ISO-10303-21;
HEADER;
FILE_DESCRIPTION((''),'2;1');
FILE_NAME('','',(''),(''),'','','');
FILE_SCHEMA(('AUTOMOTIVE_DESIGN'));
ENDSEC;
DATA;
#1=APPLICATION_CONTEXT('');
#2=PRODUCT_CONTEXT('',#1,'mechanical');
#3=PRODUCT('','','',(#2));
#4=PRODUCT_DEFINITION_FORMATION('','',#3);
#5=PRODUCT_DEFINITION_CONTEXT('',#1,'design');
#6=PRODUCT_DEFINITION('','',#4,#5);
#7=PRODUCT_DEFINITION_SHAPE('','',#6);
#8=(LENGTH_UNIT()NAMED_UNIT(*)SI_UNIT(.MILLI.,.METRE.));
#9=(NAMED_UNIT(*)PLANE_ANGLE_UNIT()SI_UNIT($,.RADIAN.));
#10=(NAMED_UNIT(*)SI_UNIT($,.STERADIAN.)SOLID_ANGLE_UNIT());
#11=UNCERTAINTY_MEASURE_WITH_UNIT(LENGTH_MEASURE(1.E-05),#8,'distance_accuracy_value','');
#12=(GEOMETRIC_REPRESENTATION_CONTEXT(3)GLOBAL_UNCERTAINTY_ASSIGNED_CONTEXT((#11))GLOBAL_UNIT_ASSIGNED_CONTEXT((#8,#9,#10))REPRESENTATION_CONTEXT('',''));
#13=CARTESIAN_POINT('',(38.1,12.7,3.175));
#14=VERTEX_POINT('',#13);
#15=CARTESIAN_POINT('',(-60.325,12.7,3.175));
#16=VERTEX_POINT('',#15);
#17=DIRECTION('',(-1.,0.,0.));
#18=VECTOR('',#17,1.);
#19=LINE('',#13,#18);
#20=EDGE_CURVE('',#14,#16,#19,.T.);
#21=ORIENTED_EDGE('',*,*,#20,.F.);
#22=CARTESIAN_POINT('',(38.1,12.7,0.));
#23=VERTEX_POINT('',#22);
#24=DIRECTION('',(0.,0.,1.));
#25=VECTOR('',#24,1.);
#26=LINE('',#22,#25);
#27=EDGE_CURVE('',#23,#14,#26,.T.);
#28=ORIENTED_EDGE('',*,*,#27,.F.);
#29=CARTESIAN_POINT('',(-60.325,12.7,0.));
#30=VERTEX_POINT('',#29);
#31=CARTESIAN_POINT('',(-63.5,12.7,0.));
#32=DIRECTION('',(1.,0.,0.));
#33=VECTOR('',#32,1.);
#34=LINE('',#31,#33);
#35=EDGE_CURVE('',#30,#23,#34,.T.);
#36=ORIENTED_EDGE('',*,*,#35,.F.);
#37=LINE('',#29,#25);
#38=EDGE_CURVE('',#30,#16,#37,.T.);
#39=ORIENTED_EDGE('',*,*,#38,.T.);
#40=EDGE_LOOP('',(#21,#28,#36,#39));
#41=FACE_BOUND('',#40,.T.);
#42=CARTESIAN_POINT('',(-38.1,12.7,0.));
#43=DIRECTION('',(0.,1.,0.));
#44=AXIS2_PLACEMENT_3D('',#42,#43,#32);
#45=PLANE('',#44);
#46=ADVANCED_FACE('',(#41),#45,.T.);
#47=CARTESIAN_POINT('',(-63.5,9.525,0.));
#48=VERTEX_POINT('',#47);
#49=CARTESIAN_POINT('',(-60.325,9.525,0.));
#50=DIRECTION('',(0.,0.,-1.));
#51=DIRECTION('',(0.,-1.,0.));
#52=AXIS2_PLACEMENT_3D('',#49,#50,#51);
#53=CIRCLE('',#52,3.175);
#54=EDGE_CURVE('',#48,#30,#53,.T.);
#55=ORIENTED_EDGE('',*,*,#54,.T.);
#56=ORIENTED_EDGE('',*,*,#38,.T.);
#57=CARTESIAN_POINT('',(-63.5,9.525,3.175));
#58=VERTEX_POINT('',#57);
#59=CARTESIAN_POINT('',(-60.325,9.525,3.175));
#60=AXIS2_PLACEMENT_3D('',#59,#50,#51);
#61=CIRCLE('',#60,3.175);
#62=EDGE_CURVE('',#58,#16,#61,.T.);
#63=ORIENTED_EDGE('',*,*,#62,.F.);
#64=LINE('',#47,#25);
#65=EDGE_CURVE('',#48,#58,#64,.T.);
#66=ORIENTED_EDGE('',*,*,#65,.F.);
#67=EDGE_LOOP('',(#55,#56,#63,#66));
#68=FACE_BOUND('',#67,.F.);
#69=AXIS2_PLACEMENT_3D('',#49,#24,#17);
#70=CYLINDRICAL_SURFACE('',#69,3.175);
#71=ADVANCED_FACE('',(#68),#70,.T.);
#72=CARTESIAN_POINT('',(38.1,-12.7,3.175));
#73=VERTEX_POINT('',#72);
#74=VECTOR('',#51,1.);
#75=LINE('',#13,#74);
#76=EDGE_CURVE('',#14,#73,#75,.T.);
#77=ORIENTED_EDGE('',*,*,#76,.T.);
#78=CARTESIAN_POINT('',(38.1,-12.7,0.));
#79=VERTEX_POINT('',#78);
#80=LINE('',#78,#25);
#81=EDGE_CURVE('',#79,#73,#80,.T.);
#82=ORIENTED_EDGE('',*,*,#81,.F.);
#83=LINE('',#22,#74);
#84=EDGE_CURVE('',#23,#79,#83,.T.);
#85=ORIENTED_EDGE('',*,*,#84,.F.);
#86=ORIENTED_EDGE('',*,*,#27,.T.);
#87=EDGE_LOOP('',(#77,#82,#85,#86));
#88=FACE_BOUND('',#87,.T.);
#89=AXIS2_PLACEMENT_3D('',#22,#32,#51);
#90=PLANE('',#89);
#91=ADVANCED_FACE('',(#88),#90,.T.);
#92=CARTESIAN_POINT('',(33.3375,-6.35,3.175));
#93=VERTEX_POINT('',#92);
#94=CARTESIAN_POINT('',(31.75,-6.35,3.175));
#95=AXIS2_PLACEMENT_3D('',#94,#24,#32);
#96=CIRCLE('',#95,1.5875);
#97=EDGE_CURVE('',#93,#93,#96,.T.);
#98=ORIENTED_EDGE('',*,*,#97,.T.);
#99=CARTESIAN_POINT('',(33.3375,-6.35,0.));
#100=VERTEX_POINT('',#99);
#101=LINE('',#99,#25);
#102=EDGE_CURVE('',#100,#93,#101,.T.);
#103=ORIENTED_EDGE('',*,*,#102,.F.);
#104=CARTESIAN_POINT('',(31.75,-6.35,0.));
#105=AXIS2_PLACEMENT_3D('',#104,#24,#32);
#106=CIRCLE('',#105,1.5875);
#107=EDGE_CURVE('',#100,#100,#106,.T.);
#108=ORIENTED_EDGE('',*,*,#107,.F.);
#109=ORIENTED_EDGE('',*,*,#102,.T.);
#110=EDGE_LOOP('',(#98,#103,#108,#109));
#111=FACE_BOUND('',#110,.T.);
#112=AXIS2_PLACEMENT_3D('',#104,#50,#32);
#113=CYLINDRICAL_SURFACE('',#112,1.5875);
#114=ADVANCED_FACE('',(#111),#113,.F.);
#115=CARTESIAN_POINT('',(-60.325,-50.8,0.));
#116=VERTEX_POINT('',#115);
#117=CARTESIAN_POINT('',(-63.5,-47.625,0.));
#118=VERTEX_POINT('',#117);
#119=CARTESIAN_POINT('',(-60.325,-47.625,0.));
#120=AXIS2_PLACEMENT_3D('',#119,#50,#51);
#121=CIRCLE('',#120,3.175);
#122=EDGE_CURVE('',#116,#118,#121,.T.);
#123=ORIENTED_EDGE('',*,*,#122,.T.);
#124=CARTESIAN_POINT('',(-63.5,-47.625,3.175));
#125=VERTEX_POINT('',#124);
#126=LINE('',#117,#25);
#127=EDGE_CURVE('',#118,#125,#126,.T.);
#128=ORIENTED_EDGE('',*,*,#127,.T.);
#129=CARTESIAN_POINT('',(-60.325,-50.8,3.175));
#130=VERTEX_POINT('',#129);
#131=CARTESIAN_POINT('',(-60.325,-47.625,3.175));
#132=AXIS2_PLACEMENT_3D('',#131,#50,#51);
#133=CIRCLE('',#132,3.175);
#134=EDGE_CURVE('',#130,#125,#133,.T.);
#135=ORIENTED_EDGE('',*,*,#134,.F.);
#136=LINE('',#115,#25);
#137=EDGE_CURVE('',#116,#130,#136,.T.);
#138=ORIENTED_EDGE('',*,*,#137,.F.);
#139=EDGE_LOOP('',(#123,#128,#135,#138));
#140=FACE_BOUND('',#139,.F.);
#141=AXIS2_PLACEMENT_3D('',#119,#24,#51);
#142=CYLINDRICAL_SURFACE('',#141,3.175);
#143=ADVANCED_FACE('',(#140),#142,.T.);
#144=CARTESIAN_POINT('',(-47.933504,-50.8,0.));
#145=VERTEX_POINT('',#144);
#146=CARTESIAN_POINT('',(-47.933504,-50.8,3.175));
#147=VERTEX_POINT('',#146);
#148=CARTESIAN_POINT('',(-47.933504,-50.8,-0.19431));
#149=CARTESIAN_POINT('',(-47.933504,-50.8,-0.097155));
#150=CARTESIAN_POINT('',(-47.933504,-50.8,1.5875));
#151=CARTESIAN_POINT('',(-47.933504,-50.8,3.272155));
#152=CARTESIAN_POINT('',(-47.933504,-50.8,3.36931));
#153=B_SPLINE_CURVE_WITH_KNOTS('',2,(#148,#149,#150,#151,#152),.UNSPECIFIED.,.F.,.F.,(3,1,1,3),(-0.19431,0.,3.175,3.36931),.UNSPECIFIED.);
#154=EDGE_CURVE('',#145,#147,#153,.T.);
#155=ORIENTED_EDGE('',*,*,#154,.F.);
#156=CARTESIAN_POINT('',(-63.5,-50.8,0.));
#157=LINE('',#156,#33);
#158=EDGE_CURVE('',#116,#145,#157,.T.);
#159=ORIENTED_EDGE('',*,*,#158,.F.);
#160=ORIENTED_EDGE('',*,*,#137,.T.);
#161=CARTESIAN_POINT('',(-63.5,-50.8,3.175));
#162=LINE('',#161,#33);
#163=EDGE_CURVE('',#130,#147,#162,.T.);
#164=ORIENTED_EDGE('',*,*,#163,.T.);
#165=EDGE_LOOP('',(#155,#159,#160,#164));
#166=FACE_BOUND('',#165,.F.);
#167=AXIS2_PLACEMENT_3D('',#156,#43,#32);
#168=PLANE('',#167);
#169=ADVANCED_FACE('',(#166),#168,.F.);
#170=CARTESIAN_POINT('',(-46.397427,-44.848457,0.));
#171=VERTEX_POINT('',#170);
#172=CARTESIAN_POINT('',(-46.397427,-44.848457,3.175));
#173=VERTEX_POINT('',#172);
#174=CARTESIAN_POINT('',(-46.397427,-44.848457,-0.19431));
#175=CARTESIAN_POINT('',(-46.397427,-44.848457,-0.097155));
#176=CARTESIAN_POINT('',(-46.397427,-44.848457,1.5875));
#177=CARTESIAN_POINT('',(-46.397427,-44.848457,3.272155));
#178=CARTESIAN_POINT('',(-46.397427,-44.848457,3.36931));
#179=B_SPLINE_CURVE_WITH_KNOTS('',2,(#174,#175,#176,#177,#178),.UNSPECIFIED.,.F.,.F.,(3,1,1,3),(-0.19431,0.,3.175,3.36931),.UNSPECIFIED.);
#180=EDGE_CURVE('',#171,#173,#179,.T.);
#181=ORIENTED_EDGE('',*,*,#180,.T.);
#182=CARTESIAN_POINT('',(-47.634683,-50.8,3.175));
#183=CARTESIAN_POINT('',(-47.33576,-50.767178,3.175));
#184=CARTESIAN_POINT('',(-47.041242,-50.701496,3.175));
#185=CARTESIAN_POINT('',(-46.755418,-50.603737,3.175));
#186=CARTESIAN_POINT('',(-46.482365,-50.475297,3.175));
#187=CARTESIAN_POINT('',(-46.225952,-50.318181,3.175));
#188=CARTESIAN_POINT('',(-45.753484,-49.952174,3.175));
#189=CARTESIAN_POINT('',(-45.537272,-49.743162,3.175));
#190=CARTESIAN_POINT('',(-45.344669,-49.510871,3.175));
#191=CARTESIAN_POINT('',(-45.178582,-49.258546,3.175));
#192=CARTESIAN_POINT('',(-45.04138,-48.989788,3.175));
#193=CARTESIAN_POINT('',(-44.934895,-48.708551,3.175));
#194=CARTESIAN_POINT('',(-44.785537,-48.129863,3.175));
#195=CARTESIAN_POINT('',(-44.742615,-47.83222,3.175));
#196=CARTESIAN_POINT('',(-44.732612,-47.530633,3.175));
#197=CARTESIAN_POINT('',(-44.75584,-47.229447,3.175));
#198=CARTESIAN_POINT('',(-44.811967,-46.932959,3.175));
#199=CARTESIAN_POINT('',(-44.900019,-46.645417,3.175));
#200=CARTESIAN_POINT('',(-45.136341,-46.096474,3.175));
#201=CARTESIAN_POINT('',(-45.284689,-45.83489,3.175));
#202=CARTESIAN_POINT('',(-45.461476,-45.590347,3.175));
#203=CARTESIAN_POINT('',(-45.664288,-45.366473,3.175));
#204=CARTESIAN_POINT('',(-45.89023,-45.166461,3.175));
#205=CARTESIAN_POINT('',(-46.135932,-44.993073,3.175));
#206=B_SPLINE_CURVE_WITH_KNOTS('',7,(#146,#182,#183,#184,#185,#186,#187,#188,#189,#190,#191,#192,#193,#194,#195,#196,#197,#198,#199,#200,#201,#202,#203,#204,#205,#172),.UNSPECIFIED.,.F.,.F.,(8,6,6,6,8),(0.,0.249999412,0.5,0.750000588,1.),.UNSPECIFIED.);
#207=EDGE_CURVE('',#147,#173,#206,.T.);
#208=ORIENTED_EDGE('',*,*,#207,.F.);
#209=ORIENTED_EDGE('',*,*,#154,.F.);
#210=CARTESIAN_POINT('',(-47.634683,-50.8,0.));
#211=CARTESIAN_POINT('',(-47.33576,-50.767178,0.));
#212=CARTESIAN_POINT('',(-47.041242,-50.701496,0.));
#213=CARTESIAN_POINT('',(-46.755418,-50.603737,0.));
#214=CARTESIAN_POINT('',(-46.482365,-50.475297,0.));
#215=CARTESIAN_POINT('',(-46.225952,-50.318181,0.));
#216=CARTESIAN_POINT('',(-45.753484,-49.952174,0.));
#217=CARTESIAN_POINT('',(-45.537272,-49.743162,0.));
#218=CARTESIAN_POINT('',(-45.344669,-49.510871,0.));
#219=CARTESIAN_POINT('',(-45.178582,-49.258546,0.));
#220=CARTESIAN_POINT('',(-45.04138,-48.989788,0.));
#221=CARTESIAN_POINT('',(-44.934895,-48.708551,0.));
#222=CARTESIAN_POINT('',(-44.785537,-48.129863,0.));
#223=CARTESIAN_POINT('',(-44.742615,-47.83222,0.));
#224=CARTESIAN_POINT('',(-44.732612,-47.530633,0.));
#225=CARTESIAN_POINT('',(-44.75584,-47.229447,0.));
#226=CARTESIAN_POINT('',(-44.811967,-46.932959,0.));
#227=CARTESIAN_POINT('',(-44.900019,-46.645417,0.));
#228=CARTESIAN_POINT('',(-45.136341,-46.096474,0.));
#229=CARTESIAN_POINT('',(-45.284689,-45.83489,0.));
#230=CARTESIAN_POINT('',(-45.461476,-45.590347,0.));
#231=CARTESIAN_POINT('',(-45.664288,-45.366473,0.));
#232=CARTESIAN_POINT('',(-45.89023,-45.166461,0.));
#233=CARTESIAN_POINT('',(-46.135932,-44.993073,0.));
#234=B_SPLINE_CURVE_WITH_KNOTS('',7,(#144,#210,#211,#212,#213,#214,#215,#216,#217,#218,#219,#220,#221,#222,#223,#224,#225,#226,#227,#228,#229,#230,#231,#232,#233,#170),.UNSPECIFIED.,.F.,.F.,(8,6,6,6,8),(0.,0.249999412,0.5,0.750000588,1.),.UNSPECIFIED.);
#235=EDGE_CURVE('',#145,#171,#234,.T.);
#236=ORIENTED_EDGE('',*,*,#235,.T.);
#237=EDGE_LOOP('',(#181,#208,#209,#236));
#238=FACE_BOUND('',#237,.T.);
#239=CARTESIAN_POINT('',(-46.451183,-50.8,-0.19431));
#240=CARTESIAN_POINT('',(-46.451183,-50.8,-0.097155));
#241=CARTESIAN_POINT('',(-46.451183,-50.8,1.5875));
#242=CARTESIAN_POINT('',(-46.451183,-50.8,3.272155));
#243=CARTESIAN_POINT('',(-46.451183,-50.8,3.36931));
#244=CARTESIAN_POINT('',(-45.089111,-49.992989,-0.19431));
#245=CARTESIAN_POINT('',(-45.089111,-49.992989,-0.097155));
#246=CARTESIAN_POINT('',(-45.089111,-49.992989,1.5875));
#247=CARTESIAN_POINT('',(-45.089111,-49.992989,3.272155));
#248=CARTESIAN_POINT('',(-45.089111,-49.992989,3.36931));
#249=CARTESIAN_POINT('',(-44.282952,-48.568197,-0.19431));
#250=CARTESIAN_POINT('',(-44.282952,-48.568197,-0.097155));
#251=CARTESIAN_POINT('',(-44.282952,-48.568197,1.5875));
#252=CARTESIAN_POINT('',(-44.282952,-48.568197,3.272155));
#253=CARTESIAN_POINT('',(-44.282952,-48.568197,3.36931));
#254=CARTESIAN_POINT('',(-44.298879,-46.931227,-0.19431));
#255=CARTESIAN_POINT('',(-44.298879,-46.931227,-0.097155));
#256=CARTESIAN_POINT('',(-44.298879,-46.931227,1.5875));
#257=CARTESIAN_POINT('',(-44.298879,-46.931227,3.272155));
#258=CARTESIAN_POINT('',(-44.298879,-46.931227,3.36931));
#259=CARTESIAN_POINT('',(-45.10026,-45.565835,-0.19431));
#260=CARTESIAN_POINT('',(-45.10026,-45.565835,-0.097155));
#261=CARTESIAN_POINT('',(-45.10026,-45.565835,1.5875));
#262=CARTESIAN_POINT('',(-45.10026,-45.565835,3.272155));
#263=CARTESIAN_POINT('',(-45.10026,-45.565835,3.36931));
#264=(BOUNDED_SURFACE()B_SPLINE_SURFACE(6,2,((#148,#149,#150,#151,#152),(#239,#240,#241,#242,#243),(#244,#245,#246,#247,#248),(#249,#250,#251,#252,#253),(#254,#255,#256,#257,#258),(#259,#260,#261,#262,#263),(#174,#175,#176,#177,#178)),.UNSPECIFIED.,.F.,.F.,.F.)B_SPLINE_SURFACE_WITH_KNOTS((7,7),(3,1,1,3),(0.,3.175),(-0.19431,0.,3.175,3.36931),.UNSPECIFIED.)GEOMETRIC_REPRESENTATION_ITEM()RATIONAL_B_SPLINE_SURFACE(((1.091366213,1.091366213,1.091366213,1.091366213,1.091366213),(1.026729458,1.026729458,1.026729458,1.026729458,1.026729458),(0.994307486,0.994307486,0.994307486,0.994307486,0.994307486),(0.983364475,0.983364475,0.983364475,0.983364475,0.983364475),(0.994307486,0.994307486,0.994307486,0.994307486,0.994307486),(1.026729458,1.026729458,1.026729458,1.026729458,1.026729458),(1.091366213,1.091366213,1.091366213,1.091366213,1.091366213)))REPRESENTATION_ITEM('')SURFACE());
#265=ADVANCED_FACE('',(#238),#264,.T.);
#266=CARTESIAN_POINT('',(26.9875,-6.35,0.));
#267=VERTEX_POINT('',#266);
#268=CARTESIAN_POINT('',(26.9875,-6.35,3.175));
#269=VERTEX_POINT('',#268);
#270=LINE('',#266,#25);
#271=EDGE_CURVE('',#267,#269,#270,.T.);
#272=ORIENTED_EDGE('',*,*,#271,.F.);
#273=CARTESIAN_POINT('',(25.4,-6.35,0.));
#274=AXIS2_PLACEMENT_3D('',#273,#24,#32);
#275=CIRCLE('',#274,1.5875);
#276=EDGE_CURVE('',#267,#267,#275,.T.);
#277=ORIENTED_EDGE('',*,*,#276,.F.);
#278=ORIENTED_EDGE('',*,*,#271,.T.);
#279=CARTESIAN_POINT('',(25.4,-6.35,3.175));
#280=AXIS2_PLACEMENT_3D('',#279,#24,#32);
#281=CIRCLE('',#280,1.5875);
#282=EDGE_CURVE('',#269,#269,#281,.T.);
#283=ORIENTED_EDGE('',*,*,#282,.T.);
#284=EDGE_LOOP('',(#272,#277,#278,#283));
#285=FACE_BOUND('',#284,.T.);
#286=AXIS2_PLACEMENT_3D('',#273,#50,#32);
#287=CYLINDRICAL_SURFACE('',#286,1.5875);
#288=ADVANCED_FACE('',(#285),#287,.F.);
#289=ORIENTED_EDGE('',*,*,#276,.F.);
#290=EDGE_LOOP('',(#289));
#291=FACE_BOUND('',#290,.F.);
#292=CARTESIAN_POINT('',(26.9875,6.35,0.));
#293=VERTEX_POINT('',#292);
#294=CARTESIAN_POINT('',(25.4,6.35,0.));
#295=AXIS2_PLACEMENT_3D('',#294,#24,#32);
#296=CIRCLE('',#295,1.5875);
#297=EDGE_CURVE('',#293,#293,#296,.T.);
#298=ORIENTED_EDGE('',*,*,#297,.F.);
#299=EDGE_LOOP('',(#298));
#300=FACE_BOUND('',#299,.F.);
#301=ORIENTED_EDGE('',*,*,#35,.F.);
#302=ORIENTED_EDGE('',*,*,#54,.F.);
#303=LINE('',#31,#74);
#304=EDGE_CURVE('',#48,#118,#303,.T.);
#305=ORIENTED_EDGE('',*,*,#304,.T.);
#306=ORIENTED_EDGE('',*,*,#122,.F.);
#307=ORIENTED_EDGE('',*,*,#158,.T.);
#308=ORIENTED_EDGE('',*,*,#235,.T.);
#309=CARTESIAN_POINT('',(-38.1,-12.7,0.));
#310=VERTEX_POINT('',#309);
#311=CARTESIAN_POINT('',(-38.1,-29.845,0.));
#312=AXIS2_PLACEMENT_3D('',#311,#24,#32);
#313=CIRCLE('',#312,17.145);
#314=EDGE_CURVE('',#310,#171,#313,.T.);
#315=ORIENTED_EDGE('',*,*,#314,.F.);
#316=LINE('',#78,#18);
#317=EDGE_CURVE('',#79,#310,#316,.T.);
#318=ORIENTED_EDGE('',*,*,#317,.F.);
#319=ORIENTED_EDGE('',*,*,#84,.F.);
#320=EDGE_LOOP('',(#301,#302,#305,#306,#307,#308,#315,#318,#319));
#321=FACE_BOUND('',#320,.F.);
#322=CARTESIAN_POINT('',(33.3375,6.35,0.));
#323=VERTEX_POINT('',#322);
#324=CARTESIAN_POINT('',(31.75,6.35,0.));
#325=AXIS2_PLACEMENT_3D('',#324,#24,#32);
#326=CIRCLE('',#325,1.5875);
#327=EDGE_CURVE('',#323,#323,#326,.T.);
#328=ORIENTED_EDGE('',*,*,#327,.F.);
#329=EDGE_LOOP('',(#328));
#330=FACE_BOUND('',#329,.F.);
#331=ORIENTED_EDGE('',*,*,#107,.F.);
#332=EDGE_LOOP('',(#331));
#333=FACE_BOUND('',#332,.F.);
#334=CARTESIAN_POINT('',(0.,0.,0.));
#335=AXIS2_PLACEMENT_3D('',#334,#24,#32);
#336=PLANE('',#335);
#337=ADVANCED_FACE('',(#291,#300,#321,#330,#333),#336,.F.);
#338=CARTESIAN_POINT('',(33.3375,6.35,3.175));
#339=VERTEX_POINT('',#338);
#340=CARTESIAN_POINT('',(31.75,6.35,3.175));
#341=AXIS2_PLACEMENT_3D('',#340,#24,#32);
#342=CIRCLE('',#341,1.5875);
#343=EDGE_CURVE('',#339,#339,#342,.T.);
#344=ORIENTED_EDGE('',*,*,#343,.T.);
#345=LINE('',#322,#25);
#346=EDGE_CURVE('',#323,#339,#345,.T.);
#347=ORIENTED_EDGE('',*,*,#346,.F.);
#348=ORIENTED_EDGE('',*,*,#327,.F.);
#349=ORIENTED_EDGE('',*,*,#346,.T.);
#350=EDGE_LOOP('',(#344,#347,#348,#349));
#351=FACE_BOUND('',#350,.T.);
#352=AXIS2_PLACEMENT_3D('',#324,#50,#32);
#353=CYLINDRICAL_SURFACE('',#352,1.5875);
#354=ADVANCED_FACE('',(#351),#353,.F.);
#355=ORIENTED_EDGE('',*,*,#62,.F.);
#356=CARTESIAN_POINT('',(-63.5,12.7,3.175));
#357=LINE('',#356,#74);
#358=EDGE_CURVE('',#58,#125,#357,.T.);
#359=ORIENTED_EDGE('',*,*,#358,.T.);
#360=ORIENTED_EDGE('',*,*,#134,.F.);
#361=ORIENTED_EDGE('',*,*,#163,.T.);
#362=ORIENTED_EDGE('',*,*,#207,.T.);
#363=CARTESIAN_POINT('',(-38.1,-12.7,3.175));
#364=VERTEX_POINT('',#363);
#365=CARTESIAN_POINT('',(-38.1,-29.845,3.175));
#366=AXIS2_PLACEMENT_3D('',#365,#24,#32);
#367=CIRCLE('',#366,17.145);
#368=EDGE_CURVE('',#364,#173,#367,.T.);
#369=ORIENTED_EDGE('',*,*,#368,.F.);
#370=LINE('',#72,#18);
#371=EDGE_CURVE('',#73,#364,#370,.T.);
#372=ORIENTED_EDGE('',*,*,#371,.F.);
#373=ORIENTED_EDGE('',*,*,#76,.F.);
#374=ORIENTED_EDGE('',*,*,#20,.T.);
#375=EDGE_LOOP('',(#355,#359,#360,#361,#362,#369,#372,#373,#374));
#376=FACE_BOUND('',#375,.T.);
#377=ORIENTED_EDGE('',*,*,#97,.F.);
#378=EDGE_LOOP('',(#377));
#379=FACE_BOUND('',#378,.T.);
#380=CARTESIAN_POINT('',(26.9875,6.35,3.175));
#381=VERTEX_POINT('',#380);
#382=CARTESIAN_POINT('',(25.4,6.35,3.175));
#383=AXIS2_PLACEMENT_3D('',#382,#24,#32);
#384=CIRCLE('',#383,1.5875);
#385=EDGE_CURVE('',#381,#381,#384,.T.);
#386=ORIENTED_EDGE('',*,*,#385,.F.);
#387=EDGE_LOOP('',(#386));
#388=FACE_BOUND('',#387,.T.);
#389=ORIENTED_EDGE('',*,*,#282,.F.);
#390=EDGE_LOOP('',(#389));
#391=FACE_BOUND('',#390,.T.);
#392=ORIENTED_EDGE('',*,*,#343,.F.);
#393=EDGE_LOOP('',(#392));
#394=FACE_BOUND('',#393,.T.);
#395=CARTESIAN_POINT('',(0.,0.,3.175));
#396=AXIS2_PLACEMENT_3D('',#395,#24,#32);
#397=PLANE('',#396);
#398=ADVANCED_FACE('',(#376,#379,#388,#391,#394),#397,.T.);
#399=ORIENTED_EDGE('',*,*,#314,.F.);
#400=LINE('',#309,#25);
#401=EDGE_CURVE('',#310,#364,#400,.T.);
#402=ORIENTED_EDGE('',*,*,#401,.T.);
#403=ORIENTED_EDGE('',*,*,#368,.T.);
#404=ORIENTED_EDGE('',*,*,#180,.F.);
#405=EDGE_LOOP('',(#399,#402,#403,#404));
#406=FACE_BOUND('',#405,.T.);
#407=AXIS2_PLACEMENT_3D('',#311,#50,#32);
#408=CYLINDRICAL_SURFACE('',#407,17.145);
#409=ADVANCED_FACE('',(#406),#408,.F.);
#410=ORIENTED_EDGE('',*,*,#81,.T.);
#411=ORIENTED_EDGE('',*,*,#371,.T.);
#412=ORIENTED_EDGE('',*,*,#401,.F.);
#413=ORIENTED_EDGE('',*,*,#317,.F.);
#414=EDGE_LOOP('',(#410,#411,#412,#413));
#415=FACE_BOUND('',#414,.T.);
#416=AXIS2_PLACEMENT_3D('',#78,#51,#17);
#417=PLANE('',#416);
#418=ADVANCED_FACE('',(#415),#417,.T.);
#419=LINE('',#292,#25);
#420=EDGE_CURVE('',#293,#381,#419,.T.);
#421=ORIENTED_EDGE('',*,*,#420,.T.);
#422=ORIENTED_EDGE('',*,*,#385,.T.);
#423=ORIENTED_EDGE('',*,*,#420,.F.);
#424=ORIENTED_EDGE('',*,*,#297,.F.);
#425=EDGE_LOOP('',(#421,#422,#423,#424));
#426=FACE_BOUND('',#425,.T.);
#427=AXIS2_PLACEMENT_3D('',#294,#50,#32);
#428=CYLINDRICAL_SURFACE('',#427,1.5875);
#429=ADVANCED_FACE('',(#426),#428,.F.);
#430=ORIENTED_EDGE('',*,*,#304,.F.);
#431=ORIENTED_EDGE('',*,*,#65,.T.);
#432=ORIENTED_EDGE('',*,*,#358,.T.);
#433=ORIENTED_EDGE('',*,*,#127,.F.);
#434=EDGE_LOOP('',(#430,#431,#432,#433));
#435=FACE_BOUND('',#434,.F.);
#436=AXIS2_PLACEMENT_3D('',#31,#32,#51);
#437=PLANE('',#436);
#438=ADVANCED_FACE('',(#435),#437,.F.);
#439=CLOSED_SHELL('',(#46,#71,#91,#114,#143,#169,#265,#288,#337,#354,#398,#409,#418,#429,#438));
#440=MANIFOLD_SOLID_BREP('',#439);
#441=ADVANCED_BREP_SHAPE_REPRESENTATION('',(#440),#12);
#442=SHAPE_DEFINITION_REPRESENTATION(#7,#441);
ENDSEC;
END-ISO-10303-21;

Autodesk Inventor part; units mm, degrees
ref_plane "YZ Plane" through (0, 0, 0) normal (1, 0, 0) x (0, 1, 0)
ref_plane "XZ Plane" through (0, 0, 0) normal (0, 1, 0) x (-1, 0, 0)
ref_plane "XY Plane" through (0, 0, 0) normal (0, 0, 1) x (1, 0, 0)
sketch "Sketch1" plane through (0, 0, 0) normal (0, 0, 1) x (1, 0, 0)
  line L0 (38.1, -12.7) -> (-38.1, -12.7)
  line L1 (-38.1, -12.7) -> (-38.1, 12.7)
  line L2 (-38.1, 12.7) -> (38.1, 12.7)
  line L3 (38.1, 12.7) -> (38.1, -12.7)
  line L4 (38.1, -12.7) -> (-38.1, 12.7) construction
  line L5 (-38.1, -12.7) -> (38.1, 12.7) construction
  circle A0 centre (31.75, 6.35) radius 1.5875
  circle A1 centre (31.75, -6.35) radius 1.5875
  circle A2 centre (25.4, 6.35) radius 1.5875
  circle A3 centre (25.4, -6.35) radius 1.5875
  line L6 (-38.1, 12.7) -> (-63.5, 12.7)
  line L7 (-63.5, 12.7) -> (-63.5, -50.8)
  line L8 (-63.5, -50.8) -> (-38.1, -50.8)
  line L9 (-38.1, -50.8) -> (-38.1, 12.7)
  circle A4 centre (-38.1, -29.845) radius 17.145
  point P0 (0, 0)
  point P1 (-38.1, -46.99)
  dimension "d0" = 76.2
  dimension "d1" = 25.4
  dimension "d2" = 3.175
  dimension "d3" = 6.35
  dimension "d4" = 6.35
  dimension "d5" = 3.175
  dimension "d6" = 6.35
  dimension "d7" = 6.35
  dimension "d8" = 3.175
  dimension "d9" = 6.35
  dimension "d10" = 6.35
  dimension "d13" = 3.175
  dimension "d14" = 6.35
  dimension "d15" = 6.35
  dimension "d16" = 25.4
  dimension "d17" = 63.5
  dimension "d18" = 34.29
  dimension "d19" = 17.145
extrude "Extrusion1" add sketch "Sketch1" along normal blind 3.175 contours L0 L1 L2 L3 | A4 L9 L8 L7 L6 L1
fillet "Fillet1" radius 3.175 4 edges at (-38.1, -50.8, 1.5875) (-38.1, -46.99, 1.5875) (-63.5, -50.8, 1.5875) (-63.5, 12.7, 1.5875)
properties part number "Climb_Hooks_2"
